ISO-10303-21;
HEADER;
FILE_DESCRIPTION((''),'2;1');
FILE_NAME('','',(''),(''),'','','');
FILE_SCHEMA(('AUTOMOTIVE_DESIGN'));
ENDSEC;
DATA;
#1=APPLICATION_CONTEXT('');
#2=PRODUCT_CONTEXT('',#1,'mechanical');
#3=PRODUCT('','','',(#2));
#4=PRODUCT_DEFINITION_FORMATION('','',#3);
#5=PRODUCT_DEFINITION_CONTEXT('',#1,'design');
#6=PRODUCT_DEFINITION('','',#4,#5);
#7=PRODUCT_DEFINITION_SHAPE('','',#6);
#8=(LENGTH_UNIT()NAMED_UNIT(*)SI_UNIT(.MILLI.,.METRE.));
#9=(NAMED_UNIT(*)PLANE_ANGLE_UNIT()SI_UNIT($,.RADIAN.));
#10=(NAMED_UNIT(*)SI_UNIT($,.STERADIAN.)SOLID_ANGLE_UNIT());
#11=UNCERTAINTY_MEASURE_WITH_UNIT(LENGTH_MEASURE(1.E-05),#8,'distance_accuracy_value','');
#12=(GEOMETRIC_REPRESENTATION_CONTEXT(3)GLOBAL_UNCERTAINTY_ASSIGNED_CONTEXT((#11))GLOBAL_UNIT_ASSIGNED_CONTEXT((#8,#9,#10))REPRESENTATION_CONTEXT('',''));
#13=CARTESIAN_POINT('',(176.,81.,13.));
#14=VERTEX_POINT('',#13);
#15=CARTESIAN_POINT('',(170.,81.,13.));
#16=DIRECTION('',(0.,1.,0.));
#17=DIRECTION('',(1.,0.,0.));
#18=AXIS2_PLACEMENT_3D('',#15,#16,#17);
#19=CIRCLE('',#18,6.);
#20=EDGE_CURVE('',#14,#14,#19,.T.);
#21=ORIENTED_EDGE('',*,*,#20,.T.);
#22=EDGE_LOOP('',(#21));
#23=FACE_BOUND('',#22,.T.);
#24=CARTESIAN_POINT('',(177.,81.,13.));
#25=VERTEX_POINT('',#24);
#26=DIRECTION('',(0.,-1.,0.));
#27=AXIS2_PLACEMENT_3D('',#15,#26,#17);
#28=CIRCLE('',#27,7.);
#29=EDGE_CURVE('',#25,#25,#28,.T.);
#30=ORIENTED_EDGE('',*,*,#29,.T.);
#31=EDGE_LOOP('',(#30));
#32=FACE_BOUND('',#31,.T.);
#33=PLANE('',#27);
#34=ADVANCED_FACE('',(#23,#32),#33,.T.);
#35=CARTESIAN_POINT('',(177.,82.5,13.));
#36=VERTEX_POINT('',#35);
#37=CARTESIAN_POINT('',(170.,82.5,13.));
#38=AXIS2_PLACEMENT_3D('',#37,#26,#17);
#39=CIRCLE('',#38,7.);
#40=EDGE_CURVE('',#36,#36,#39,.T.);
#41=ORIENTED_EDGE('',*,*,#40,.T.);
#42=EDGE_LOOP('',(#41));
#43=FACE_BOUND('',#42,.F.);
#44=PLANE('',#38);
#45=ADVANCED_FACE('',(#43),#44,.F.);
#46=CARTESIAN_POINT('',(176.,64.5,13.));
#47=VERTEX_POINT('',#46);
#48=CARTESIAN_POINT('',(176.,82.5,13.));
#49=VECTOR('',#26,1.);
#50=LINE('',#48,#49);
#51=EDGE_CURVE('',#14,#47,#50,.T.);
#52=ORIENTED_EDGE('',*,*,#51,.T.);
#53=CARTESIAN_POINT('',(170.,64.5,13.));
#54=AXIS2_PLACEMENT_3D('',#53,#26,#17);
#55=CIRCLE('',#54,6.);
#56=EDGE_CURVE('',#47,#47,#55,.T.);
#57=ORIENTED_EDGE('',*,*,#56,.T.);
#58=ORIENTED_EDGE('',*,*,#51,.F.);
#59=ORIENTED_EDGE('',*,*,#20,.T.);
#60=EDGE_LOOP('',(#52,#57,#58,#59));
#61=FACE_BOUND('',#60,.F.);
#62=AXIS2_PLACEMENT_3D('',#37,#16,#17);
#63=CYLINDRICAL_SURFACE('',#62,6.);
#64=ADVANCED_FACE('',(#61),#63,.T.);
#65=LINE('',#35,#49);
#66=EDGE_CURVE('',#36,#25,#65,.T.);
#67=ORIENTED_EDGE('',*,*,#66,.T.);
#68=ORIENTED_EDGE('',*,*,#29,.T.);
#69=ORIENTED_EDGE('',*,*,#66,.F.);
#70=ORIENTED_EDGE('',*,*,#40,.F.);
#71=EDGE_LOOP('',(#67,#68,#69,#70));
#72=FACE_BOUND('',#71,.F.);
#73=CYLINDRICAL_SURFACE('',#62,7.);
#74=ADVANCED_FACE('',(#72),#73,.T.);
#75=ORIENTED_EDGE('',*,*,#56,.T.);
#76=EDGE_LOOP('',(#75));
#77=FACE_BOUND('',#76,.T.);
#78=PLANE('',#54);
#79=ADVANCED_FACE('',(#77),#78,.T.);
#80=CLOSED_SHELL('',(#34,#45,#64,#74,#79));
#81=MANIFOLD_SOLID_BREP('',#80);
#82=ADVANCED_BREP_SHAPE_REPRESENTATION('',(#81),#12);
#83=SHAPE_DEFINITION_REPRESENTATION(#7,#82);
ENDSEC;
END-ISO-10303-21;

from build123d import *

# Parameters (mm, degrees)
CYLINDER008_R             = 7
CYLINDER008_DEPTH         = 1.5
CYLINDER007_R             = 6
CYLINDER007_DEPTH         = 18
FUSION002_PLACEMENT_ANGLE = 270


with BuildPart() as cylinder008:
    # Cylinder008 → Cylinder008 (new body)
    with BuildSketch(Plane.XY):
        Circle(CYLINDER008_R)
    extrude(amount=CYLINDER008_DEPTH)


with BuildPart() as dc_jack002:
    # Cylinder007 → Cylinder007 (new body)
    with BuildSketch(Plane.XY):
        Circle(CYLINDER007_R)
    extrude(amount=CYLINDER007_DEPTH)

    # Fusion002: union Cylinder008
    add(cylinder008.part)


with BuildPart() as dc_jack002_1:
    # Fusion002 placement: moved
    add(dc_jack002.part.moved(Location((170, 82.5, 13))).rotate(Axis((170, 82.5, 13), (-1, 0, 0)), FUSION002_PLACEMENT_ANGLE))


solid = dc_jack002_1.part
